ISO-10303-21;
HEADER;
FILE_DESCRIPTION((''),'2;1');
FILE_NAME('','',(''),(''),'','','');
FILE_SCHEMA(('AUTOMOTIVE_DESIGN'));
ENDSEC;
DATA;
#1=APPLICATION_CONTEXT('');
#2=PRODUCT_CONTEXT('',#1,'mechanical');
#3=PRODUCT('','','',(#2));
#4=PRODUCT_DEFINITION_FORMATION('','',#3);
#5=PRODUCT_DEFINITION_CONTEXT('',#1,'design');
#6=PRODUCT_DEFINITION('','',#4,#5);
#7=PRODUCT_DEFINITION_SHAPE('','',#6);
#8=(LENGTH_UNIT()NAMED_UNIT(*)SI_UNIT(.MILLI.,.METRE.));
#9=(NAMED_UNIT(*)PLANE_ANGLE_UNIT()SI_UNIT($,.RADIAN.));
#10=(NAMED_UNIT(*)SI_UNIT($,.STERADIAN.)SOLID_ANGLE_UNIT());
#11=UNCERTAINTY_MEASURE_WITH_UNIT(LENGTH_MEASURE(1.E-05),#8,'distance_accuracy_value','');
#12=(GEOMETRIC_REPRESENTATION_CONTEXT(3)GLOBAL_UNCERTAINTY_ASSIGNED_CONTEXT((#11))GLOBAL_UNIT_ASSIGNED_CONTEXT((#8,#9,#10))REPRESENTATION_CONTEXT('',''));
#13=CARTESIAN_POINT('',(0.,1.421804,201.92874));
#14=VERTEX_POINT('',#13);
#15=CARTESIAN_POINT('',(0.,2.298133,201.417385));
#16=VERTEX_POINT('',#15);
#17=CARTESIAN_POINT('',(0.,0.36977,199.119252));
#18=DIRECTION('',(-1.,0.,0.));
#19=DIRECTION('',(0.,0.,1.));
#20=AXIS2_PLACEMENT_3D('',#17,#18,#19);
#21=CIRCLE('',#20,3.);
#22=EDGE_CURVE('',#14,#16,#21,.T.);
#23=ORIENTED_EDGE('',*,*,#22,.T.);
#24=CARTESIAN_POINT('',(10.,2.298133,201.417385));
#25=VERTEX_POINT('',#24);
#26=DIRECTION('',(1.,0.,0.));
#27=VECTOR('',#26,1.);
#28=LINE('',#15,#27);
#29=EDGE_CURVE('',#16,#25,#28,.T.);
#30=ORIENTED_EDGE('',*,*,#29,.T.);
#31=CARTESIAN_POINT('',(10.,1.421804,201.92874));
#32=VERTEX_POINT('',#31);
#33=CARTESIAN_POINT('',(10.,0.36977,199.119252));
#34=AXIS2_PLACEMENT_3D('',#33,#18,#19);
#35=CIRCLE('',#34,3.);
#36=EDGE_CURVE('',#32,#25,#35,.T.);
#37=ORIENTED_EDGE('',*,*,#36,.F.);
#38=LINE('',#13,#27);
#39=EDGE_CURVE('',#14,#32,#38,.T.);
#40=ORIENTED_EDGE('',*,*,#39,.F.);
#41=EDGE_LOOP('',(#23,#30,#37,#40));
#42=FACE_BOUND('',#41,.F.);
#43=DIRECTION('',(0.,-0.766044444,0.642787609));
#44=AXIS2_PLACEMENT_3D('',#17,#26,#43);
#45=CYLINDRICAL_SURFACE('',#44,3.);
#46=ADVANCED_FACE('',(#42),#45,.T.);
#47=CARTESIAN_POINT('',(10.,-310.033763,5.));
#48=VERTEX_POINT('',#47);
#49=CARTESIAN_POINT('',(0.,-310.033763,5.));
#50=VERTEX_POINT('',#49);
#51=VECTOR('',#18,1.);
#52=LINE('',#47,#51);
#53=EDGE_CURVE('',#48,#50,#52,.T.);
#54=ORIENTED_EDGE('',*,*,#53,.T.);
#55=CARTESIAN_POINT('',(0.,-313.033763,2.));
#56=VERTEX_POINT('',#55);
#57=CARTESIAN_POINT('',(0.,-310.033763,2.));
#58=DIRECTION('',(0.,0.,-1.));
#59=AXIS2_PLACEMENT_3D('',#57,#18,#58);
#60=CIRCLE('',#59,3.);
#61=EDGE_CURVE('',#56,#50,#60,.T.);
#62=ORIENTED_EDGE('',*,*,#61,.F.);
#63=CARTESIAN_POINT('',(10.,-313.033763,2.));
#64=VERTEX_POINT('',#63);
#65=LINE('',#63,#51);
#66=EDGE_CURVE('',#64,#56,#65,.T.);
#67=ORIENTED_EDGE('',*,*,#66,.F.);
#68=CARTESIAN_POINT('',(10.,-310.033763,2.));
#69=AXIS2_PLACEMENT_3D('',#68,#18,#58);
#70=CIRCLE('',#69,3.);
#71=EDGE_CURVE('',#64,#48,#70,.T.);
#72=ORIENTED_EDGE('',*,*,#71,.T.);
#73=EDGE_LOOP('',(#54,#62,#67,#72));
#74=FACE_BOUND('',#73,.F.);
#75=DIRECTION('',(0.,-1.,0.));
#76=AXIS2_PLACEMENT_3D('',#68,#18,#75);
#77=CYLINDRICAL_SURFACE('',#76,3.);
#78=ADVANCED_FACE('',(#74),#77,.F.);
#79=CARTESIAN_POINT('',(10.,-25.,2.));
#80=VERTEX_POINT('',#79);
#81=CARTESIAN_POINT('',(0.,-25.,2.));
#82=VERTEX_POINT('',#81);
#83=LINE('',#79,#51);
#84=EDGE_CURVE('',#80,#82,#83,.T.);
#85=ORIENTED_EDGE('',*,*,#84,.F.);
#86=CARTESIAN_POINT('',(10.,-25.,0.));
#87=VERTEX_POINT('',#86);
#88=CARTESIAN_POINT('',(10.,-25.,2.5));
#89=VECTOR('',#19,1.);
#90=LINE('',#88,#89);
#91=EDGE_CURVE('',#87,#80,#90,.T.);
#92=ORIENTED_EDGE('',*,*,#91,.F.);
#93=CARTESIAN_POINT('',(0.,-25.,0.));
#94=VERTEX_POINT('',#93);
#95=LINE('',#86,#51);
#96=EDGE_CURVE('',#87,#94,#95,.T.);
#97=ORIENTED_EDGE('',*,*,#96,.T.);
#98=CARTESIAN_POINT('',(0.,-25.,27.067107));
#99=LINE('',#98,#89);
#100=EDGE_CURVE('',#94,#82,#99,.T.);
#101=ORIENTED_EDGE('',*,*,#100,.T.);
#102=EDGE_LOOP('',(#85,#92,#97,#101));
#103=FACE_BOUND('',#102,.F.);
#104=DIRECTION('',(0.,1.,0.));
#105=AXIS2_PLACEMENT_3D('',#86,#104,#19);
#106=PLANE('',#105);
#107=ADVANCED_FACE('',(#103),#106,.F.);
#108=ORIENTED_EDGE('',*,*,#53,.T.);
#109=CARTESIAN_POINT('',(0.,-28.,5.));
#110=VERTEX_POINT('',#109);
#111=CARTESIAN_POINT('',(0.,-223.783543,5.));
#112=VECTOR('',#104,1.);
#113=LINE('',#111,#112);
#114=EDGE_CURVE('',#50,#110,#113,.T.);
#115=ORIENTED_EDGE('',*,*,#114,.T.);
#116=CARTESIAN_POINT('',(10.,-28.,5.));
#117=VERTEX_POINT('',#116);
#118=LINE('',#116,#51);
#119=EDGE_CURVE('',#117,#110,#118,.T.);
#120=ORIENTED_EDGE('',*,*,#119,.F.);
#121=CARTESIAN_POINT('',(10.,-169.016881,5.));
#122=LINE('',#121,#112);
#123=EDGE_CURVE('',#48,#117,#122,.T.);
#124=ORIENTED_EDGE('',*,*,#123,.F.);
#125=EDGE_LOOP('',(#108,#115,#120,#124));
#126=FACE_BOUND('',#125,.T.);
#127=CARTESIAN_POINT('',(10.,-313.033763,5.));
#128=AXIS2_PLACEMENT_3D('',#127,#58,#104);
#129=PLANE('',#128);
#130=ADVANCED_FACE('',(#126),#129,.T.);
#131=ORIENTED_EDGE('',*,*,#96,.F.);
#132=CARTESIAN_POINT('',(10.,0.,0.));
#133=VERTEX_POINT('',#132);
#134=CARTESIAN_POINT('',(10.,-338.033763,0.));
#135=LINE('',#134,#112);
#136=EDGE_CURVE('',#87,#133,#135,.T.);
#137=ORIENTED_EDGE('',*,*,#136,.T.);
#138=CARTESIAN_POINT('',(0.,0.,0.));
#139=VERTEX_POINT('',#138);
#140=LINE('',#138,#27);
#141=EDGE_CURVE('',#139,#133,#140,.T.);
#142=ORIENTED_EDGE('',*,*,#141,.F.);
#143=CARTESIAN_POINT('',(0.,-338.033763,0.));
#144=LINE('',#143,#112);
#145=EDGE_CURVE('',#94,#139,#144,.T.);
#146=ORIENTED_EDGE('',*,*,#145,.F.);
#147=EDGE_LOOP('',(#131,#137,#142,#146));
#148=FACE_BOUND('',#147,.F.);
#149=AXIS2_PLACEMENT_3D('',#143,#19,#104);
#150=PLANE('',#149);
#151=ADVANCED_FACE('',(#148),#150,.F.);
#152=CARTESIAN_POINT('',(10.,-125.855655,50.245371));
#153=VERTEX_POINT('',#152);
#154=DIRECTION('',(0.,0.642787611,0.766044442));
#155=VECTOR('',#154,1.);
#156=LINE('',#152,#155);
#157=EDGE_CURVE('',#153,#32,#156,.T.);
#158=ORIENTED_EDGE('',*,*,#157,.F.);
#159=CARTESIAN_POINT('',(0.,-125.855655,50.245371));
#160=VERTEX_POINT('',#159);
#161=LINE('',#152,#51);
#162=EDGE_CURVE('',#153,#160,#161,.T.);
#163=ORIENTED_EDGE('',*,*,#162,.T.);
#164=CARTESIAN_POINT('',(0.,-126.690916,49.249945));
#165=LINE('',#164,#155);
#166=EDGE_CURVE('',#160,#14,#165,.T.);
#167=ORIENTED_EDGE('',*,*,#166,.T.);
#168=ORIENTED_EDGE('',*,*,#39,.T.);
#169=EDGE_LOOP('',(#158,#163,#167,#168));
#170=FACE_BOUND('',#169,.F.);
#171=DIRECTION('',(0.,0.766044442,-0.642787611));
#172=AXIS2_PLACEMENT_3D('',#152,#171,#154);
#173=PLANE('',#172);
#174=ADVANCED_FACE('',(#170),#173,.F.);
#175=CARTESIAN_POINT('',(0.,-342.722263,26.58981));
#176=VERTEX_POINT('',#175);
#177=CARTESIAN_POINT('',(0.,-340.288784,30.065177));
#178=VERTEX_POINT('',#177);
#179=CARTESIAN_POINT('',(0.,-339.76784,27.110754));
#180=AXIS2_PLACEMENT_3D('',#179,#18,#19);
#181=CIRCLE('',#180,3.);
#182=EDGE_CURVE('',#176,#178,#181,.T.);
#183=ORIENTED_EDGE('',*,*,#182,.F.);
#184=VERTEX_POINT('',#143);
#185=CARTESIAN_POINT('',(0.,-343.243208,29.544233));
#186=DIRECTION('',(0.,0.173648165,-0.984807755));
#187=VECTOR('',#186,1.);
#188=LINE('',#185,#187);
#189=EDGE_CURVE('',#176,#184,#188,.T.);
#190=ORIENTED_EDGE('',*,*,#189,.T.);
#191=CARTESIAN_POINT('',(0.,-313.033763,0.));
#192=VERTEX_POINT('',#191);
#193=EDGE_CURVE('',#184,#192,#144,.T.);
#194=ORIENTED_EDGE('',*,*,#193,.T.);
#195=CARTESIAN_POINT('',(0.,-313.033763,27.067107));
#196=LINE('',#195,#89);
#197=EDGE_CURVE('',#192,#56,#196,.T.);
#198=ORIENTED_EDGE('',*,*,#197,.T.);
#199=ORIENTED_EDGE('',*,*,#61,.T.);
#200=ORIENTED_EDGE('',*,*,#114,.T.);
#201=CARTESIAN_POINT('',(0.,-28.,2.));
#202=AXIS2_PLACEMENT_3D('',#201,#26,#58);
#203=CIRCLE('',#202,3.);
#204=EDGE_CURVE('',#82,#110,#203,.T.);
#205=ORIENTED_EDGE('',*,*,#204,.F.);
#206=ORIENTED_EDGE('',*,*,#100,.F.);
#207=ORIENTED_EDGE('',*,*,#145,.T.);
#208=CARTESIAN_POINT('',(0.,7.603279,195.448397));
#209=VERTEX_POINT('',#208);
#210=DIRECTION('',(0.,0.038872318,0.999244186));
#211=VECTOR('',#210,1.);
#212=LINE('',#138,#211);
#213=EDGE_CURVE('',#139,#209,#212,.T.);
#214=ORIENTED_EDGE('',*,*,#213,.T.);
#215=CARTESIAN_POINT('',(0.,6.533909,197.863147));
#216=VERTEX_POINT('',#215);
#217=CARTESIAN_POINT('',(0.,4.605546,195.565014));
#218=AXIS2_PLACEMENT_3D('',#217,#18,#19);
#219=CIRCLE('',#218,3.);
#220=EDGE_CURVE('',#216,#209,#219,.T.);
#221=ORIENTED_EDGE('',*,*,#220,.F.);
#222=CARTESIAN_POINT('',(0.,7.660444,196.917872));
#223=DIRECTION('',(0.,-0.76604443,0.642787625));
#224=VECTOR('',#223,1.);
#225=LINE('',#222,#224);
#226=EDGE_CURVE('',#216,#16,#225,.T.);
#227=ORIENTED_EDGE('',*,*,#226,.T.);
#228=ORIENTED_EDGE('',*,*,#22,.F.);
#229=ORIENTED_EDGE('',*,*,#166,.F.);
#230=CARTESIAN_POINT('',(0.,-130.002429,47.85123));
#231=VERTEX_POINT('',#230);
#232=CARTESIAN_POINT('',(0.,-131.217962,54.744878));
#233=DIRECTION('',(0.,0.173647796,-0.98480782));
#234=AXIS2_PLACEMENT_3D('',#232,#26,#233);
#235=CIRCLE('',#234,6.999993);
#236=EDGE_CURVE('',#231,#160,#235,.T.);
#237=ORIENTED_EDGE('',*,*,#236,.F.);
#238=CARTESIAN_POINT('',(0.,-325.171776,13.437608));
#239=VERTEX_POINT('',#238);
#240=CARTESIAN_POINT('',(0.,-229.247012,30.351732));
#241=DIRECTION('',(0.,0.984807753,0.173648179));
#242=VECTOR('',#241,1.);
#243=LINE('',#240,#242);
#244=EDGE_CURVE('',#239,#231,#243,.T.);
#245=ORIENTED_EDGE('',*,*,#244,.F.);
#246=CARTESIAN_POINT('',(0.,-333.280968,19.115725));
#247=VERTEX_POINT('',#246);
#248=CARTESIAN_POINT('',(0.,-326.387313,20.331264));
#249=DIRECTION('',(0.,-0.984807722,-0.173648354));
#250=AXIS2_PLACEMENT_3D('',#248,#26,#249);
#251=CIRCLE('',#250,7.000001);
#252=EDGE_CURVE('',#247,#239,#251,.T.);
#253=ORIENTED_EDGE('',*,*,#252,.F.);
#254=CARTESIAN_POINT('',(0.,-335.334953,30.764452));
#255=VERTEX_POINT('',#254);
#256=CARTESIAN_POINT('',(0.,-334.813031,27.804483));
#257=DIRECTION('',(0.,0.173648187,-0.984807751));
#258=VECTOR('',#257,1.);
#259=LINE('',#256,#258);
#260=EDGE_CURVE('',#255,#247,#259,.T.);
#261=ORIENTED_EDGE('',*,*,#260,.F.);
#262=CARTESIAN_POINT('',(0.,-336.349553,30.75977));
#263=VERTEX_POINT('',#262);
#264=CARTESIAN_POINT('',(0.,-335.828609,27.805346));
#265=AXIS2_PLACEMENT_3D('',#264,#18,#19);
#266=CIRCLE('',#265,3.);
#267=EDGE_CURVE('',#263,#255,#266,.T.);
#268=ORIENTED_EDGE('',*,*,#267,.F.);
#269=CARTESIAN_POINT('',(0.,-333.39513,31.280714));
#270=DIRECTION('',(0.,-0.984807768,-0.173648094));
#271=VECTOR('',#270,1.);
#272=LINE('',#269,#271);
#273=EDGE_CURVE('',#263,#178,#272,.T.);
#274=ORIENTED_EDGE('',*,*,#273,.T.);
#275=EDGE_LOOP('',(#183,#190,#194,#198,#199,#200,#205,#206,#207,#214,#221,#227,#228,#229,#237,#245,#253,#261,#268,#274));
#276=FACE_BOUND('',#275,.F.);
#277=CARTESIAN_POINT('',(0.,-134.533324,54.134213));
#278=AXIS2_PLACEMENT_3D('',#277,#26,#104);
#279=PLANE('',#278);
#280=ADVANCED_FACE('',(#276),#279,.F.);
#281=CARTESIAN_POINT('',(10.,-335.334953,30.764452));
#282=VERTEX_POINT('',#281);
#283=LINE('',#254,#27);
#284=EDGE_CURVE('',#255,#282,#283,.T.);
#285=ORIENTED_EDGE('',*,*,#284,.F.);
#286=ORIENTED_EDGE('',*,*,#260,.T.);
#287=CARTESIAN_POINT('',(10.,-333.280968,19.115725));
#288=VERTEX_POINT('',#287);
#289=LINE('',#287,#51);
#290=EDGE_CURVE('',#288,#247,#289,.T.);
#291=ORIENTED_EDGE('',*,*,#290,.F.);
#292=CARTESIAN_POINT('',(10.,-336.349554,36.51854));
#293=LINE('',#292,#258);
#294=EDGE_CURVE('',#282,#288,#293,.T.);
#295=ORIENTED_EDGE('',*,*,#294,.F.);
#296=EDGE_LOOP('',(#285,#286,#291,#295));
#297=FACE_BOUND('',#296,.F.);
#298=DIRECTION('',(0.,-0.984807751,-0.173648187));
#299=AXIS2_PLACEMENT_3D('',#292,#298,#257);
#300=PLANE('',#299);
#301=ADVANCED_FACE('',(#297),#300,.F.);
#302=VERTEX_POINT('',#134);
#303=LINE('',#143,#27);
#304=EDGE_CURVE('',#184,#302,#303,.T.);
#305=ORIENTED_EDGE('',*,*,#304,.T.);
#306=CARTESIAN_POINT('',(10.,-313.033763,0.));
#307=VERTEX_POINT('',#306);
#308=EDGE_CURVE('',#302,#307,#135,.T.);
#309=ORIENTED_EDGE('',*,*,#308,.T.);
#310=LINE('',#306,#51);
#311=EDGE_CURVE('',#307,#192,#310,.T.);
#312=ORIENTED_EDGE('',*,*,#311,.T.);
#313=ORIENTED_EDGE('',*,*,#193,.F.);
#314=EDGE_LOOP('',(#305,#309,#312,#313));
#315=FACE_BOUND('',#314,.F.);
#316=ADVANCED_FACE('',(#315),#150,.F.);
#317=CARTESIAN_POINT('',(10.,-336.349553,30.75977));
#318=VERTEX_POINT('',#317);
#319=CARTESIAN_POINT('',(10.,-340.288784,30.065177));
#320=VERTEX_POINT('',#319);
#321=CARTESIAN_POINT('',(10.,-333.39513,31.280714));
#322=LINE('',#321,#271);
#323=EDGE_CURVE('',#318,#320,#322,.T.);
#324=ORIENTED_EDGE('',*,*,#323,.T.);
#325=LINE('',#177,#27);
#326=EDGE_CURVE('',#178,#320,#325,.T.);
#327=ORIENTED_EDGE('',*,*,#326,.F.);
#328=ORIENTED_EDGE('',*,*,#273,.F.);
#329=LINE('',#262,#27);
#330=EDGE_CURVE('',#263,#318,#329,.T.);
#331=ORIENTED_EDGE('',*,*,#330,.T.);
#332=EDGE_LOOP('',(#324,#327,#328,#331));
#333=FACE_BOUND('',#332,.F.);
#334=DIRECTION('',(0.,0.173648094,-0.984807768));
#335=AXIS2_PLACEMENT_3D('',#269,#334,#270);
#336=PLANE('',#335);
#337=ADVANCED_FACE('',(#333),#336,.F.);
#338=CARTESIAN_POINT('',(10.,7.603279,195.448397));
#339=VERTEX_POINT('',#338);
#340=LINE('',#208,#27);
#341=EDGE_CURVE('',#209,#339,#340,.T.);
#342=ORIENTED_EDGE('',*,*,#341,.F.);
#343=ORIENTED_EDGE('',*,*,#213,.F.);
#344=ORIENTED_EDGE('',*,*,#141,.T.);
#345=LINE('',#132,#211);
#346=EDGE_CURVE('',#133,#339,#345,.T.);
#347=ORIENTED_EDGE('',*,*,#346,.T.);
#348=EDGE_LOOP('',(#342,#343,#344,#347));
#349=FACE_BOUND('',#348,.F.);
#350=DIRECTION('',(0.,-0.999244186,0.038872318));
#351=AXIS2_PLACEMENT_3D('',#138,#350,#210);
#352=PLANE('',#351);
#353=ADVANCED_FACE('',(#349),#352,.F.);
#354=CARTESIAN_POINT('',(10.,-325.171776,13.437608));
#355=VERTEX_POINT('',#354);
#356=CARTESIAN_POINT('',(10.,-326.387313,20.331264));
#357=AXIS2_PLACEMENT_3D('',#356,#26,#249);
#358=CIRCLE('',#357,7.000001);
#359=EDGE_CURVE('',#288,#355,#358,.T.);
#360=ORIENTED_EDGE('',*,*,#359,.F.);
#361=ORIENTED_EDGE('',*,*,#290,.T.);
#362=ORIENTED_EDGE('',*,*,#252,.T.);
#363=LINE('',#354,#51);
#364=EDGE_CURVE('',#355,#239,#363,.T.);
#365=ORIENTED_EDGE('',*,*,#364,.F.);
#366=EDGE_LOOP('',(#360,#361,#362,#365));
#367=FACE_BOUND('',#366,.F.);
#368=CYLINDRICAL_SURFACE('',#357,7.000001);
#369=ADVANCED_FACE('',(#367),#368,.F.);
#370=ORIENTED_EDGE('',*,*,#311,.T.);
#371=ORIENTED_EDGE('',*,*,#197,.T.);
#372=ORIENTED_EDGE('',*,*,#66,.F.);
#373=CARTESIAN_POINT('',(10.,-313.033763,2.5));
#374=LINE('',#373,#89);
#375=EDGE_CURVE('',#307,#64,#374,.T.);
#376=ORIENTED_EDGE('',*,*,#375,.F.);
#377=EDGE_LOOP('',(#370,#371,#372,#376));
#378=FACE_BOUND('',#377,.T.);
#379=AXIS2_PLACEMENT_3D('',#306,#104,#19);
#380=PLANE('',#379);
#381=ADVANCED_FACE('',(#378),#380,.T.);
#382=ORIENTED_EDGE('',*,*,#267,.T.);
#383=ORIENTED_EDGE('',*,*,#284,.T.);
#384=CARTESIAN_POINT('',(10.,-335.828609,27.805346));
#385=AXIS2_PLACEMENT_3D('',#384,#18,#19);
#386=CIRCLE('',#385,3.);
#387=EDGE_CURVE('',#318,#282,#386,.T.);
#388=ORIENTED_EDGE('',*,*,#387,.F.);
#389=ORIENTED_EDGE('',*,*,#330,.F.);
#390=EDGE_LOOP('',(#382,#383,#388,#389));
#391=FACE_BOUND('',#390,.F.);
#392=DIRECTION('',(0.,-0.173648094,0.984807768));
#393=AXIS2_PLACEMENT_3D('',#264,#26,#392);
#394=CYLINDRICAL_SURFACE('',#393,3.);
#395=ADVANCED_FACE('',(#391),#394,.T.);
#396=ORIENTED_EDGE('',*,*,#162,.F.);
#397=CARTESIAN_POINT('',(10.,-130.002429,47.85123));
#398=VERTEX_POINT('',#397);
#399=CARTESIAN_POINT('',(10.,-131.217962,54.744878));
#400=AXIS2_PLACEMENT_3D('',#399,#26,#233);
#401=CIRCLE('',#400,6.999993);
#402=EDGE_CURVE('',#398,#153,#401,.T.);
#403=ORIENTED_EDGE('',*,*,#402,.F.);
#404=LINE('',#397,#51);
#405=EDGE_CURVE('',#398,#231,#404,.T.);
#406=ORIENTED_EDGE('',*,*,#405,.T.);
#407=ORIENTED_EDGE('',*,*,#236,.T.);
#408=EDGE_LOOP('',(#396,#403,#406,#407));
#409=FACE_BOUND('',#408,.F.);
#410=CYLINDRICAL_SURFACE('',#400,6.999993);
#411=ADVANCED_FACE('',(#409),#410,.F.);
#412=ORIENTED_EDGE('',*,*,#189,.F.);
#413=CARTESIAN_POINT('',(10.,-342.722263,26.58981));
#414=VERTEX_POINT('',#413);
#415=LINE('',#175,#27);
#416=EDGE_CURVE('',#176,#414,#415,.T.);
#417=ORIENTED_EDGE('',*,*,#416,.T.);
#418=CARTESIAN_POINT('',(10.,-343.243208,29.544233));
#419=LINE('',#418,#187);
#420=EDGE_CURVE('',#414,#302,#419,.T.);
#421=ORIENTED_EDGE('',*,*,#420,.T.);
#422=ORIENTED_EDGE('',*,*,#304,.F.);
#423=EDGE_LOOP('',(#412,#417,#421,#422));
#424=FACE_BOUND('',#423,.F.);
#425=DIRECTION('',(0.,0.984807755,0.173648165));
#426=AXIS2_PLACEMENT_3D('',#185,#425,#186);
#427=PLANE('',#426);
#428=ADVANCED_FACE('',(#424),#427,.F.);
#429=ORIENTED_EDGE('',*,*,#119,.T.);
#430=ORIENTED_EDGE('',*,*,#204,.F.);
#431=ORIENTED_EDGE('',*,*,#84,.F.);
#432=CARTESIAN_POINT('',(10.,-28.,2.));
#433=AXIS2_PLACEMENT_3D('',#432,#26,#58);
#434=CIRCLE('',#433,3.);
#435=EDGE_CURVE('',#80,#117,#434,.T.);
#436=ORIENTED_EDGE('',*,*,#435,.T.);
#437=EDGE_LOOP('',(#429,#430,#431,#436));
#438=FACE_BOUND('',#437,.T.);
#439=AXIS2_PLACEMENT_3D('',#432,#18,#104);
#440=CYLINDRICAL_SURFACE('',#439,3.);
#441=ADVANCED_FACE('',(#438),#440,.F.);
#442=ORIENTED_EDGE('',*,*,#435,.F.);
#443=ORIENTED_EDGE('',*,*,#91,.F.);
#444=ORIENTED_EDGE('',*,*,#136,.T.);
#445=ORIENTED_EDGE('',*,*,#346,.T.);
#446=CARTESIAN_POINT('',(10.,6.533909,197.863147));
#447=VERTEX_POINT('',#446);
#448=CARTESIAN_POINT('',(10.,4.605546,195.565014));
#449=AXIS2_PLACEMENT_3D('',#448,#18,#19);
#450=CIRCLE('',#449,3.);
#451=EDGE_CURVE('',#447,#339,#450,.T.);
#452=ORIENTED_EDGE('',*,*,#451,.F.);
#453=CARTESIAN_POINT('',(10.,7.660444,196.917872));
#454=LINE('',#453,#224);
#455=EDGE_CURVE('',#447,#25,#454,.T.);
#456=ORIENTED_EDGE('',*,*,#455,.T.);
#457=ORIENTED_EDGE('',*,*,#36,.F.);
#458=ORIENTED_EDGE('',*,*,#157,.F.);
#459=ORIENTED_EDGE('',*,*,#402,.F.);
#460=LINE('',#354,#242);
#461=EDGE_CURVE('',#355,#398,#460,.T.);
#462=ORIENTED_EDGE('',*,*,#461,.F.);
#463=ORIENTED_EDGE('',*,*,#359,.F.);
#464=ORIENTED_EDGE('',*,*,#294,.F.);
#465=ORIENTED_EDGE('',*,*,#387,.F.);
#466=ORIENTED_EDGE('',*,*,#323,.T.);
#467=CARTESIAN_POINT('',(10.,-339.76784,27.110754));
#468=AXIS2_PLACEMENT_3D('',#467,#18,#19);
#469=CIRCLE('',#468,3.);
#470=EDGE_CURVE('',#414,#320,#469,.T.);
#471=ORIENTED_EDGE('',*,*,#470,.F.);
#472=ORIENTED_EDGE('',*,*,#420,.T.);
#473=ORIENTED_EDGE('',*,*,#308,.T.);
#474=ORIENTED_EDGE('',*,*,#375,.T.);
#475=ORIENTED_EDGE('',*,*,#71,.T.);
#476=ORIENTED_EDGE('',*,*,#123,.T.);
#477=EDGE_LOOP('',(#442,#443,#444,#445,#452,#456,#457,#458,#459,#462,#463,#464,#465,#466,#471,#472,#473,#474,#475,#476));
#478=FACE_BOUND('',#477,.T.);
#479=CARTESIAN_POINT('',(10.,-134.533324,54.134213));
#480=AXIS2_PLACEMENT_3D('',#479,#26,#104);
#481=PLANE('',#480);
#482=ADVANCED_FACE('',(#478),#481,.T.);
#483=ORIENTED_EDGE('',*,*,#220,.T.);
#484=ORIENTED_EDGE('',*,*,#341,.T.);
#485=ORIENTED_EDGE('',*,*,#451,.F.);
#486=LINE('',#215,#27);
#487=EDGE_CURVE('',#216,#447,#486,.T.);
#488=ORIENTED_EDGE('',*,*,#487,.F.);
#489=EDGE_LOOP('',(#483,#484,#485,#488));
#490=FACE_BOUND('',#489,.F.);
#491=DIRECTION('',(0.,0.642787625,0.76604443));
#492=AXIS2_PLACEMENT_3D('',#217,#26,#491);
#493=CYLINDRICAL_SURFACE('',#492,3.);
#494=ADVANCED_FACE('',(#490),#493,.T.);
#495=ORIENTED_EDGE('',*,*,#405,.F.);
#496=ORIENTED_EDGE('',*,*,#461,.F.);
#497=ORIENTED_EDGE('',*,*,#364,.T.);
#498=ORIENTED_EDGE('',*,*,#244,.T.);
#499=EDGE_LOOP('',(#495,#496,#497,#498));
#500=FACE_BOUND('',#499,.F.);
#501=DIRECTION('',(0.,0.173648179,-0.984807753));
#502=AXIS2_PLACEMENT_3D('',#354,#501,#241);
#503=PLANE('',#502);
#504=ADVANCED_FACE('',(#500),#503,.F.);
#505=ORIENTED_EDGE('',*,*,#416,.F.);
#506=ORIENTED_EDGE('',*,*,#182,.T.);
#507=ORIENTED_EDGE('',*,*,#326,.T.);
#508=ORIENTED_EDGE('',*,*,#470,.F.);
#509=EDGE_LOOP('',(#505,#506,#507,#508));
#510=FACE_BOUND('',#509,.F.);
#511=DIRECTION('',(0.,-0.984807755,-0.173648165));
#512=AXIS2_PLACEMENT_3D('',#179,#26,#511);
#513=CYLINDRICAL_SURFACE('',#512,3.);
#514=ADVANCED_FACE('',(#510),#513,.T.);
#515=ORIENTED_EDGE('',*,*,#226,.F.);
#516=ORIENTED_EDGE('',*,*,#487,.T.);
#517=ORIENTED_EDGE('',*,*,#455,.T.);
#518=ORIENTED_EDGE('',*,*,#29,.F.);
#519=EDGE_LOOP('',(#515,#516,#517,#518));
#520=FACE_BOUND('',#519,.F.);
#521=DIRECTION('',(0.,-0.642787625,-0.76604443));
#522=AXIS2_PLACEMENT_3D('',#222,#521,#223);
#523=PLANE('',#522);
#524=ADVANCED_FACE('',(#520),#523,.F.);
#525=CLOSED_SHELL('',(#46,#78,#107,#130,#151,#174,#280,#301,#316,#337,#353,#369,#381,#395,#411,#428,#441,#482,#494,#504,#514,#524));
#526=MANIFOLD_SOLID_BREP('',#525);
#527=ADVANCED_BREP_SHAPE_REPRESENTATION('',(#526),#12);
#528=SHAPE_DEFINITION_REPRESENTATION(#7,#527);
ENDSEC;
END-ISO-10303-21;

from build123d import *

# Parameters (mm, degrees)
F1_DEPTH = 10
F2_W     = 288.033763
F2_H     = 5
F3_DEPTH = 10.001
F4_R     = 3
F5_R     = 5
F7_DEPTH = 25


with BuildPart() as f1:
    # F0 (on Right) → F1 (new body)
    with BuildSketch(Plane.YZ):
        Polygon((-343.243208, 29.544233), (-338.033763, 0), (0, 0), (7.660444, 196.917872), (0, 203.345748), (-128.557522, 50.136859), (-330.443111, 14.538983), (-333.39513, 31.280714), align=None)
    extrude(amount=F1_DEPTH)

    # F2 (on face) → F3 (cut, through all)
    with BuildSketch(Plane.YZ.offset(10)):
        with Locations((-169.016881, 2.5)):
            Rectangle(F2_W, F2_H)
    extrude(amount=-F3_DEPTH, mode=Mode.SUBTRACT)

    # F4
    f4_edges = [f1.edges().sort_by_distance(p)[0] for p in [
        (5, 0, 203.345748),
        (5, 7.660444, 196.917872),
        (5, -25, 5),
        (5, -313.033763, 5),
        (5, -333.39513, 31.280714),
        (5, -343.243208, 29.544233),
    ]]
    fillet(f4_edges, radius=F4_R)

    # F5
    f5_edges = [f1.edges().sort_by_distance(p)[0] for p in [
        (5, -330.443111, 14.538983),
        (5, -128.557522, 50.136859),
    ]]
    fillet(f5_edges, radius=F5_R)

    # F6 (on face) → F7 (cut)
    with BuildSketch(Plane.YZ.offset(10)):
        with BuildLine():
            Line((-336.349554, 36.51854), (-333.280968, 19.115725))
            ThreePointArc((-333.280968, 19.115725), (-330.402348, 14.597198), (-325.171776, 13.437608))
            Line((-325.171776, 13.437608), (-130.002429, 47.85123))
            ThreePointArc((-130.002429, 47.85123), (-127.717966, 48.682706), (-125.855655, 50.245371))
            Line((-125.855655, 50.245371), (5.131385, 206.349646))
            Line((5.131385, 206.349646), (-336.349554, 36.51854))
        make_face()
    extrude(amount=-F7_DEPTH, mode=Mode.SUBTRACT)


solid = f1.part
